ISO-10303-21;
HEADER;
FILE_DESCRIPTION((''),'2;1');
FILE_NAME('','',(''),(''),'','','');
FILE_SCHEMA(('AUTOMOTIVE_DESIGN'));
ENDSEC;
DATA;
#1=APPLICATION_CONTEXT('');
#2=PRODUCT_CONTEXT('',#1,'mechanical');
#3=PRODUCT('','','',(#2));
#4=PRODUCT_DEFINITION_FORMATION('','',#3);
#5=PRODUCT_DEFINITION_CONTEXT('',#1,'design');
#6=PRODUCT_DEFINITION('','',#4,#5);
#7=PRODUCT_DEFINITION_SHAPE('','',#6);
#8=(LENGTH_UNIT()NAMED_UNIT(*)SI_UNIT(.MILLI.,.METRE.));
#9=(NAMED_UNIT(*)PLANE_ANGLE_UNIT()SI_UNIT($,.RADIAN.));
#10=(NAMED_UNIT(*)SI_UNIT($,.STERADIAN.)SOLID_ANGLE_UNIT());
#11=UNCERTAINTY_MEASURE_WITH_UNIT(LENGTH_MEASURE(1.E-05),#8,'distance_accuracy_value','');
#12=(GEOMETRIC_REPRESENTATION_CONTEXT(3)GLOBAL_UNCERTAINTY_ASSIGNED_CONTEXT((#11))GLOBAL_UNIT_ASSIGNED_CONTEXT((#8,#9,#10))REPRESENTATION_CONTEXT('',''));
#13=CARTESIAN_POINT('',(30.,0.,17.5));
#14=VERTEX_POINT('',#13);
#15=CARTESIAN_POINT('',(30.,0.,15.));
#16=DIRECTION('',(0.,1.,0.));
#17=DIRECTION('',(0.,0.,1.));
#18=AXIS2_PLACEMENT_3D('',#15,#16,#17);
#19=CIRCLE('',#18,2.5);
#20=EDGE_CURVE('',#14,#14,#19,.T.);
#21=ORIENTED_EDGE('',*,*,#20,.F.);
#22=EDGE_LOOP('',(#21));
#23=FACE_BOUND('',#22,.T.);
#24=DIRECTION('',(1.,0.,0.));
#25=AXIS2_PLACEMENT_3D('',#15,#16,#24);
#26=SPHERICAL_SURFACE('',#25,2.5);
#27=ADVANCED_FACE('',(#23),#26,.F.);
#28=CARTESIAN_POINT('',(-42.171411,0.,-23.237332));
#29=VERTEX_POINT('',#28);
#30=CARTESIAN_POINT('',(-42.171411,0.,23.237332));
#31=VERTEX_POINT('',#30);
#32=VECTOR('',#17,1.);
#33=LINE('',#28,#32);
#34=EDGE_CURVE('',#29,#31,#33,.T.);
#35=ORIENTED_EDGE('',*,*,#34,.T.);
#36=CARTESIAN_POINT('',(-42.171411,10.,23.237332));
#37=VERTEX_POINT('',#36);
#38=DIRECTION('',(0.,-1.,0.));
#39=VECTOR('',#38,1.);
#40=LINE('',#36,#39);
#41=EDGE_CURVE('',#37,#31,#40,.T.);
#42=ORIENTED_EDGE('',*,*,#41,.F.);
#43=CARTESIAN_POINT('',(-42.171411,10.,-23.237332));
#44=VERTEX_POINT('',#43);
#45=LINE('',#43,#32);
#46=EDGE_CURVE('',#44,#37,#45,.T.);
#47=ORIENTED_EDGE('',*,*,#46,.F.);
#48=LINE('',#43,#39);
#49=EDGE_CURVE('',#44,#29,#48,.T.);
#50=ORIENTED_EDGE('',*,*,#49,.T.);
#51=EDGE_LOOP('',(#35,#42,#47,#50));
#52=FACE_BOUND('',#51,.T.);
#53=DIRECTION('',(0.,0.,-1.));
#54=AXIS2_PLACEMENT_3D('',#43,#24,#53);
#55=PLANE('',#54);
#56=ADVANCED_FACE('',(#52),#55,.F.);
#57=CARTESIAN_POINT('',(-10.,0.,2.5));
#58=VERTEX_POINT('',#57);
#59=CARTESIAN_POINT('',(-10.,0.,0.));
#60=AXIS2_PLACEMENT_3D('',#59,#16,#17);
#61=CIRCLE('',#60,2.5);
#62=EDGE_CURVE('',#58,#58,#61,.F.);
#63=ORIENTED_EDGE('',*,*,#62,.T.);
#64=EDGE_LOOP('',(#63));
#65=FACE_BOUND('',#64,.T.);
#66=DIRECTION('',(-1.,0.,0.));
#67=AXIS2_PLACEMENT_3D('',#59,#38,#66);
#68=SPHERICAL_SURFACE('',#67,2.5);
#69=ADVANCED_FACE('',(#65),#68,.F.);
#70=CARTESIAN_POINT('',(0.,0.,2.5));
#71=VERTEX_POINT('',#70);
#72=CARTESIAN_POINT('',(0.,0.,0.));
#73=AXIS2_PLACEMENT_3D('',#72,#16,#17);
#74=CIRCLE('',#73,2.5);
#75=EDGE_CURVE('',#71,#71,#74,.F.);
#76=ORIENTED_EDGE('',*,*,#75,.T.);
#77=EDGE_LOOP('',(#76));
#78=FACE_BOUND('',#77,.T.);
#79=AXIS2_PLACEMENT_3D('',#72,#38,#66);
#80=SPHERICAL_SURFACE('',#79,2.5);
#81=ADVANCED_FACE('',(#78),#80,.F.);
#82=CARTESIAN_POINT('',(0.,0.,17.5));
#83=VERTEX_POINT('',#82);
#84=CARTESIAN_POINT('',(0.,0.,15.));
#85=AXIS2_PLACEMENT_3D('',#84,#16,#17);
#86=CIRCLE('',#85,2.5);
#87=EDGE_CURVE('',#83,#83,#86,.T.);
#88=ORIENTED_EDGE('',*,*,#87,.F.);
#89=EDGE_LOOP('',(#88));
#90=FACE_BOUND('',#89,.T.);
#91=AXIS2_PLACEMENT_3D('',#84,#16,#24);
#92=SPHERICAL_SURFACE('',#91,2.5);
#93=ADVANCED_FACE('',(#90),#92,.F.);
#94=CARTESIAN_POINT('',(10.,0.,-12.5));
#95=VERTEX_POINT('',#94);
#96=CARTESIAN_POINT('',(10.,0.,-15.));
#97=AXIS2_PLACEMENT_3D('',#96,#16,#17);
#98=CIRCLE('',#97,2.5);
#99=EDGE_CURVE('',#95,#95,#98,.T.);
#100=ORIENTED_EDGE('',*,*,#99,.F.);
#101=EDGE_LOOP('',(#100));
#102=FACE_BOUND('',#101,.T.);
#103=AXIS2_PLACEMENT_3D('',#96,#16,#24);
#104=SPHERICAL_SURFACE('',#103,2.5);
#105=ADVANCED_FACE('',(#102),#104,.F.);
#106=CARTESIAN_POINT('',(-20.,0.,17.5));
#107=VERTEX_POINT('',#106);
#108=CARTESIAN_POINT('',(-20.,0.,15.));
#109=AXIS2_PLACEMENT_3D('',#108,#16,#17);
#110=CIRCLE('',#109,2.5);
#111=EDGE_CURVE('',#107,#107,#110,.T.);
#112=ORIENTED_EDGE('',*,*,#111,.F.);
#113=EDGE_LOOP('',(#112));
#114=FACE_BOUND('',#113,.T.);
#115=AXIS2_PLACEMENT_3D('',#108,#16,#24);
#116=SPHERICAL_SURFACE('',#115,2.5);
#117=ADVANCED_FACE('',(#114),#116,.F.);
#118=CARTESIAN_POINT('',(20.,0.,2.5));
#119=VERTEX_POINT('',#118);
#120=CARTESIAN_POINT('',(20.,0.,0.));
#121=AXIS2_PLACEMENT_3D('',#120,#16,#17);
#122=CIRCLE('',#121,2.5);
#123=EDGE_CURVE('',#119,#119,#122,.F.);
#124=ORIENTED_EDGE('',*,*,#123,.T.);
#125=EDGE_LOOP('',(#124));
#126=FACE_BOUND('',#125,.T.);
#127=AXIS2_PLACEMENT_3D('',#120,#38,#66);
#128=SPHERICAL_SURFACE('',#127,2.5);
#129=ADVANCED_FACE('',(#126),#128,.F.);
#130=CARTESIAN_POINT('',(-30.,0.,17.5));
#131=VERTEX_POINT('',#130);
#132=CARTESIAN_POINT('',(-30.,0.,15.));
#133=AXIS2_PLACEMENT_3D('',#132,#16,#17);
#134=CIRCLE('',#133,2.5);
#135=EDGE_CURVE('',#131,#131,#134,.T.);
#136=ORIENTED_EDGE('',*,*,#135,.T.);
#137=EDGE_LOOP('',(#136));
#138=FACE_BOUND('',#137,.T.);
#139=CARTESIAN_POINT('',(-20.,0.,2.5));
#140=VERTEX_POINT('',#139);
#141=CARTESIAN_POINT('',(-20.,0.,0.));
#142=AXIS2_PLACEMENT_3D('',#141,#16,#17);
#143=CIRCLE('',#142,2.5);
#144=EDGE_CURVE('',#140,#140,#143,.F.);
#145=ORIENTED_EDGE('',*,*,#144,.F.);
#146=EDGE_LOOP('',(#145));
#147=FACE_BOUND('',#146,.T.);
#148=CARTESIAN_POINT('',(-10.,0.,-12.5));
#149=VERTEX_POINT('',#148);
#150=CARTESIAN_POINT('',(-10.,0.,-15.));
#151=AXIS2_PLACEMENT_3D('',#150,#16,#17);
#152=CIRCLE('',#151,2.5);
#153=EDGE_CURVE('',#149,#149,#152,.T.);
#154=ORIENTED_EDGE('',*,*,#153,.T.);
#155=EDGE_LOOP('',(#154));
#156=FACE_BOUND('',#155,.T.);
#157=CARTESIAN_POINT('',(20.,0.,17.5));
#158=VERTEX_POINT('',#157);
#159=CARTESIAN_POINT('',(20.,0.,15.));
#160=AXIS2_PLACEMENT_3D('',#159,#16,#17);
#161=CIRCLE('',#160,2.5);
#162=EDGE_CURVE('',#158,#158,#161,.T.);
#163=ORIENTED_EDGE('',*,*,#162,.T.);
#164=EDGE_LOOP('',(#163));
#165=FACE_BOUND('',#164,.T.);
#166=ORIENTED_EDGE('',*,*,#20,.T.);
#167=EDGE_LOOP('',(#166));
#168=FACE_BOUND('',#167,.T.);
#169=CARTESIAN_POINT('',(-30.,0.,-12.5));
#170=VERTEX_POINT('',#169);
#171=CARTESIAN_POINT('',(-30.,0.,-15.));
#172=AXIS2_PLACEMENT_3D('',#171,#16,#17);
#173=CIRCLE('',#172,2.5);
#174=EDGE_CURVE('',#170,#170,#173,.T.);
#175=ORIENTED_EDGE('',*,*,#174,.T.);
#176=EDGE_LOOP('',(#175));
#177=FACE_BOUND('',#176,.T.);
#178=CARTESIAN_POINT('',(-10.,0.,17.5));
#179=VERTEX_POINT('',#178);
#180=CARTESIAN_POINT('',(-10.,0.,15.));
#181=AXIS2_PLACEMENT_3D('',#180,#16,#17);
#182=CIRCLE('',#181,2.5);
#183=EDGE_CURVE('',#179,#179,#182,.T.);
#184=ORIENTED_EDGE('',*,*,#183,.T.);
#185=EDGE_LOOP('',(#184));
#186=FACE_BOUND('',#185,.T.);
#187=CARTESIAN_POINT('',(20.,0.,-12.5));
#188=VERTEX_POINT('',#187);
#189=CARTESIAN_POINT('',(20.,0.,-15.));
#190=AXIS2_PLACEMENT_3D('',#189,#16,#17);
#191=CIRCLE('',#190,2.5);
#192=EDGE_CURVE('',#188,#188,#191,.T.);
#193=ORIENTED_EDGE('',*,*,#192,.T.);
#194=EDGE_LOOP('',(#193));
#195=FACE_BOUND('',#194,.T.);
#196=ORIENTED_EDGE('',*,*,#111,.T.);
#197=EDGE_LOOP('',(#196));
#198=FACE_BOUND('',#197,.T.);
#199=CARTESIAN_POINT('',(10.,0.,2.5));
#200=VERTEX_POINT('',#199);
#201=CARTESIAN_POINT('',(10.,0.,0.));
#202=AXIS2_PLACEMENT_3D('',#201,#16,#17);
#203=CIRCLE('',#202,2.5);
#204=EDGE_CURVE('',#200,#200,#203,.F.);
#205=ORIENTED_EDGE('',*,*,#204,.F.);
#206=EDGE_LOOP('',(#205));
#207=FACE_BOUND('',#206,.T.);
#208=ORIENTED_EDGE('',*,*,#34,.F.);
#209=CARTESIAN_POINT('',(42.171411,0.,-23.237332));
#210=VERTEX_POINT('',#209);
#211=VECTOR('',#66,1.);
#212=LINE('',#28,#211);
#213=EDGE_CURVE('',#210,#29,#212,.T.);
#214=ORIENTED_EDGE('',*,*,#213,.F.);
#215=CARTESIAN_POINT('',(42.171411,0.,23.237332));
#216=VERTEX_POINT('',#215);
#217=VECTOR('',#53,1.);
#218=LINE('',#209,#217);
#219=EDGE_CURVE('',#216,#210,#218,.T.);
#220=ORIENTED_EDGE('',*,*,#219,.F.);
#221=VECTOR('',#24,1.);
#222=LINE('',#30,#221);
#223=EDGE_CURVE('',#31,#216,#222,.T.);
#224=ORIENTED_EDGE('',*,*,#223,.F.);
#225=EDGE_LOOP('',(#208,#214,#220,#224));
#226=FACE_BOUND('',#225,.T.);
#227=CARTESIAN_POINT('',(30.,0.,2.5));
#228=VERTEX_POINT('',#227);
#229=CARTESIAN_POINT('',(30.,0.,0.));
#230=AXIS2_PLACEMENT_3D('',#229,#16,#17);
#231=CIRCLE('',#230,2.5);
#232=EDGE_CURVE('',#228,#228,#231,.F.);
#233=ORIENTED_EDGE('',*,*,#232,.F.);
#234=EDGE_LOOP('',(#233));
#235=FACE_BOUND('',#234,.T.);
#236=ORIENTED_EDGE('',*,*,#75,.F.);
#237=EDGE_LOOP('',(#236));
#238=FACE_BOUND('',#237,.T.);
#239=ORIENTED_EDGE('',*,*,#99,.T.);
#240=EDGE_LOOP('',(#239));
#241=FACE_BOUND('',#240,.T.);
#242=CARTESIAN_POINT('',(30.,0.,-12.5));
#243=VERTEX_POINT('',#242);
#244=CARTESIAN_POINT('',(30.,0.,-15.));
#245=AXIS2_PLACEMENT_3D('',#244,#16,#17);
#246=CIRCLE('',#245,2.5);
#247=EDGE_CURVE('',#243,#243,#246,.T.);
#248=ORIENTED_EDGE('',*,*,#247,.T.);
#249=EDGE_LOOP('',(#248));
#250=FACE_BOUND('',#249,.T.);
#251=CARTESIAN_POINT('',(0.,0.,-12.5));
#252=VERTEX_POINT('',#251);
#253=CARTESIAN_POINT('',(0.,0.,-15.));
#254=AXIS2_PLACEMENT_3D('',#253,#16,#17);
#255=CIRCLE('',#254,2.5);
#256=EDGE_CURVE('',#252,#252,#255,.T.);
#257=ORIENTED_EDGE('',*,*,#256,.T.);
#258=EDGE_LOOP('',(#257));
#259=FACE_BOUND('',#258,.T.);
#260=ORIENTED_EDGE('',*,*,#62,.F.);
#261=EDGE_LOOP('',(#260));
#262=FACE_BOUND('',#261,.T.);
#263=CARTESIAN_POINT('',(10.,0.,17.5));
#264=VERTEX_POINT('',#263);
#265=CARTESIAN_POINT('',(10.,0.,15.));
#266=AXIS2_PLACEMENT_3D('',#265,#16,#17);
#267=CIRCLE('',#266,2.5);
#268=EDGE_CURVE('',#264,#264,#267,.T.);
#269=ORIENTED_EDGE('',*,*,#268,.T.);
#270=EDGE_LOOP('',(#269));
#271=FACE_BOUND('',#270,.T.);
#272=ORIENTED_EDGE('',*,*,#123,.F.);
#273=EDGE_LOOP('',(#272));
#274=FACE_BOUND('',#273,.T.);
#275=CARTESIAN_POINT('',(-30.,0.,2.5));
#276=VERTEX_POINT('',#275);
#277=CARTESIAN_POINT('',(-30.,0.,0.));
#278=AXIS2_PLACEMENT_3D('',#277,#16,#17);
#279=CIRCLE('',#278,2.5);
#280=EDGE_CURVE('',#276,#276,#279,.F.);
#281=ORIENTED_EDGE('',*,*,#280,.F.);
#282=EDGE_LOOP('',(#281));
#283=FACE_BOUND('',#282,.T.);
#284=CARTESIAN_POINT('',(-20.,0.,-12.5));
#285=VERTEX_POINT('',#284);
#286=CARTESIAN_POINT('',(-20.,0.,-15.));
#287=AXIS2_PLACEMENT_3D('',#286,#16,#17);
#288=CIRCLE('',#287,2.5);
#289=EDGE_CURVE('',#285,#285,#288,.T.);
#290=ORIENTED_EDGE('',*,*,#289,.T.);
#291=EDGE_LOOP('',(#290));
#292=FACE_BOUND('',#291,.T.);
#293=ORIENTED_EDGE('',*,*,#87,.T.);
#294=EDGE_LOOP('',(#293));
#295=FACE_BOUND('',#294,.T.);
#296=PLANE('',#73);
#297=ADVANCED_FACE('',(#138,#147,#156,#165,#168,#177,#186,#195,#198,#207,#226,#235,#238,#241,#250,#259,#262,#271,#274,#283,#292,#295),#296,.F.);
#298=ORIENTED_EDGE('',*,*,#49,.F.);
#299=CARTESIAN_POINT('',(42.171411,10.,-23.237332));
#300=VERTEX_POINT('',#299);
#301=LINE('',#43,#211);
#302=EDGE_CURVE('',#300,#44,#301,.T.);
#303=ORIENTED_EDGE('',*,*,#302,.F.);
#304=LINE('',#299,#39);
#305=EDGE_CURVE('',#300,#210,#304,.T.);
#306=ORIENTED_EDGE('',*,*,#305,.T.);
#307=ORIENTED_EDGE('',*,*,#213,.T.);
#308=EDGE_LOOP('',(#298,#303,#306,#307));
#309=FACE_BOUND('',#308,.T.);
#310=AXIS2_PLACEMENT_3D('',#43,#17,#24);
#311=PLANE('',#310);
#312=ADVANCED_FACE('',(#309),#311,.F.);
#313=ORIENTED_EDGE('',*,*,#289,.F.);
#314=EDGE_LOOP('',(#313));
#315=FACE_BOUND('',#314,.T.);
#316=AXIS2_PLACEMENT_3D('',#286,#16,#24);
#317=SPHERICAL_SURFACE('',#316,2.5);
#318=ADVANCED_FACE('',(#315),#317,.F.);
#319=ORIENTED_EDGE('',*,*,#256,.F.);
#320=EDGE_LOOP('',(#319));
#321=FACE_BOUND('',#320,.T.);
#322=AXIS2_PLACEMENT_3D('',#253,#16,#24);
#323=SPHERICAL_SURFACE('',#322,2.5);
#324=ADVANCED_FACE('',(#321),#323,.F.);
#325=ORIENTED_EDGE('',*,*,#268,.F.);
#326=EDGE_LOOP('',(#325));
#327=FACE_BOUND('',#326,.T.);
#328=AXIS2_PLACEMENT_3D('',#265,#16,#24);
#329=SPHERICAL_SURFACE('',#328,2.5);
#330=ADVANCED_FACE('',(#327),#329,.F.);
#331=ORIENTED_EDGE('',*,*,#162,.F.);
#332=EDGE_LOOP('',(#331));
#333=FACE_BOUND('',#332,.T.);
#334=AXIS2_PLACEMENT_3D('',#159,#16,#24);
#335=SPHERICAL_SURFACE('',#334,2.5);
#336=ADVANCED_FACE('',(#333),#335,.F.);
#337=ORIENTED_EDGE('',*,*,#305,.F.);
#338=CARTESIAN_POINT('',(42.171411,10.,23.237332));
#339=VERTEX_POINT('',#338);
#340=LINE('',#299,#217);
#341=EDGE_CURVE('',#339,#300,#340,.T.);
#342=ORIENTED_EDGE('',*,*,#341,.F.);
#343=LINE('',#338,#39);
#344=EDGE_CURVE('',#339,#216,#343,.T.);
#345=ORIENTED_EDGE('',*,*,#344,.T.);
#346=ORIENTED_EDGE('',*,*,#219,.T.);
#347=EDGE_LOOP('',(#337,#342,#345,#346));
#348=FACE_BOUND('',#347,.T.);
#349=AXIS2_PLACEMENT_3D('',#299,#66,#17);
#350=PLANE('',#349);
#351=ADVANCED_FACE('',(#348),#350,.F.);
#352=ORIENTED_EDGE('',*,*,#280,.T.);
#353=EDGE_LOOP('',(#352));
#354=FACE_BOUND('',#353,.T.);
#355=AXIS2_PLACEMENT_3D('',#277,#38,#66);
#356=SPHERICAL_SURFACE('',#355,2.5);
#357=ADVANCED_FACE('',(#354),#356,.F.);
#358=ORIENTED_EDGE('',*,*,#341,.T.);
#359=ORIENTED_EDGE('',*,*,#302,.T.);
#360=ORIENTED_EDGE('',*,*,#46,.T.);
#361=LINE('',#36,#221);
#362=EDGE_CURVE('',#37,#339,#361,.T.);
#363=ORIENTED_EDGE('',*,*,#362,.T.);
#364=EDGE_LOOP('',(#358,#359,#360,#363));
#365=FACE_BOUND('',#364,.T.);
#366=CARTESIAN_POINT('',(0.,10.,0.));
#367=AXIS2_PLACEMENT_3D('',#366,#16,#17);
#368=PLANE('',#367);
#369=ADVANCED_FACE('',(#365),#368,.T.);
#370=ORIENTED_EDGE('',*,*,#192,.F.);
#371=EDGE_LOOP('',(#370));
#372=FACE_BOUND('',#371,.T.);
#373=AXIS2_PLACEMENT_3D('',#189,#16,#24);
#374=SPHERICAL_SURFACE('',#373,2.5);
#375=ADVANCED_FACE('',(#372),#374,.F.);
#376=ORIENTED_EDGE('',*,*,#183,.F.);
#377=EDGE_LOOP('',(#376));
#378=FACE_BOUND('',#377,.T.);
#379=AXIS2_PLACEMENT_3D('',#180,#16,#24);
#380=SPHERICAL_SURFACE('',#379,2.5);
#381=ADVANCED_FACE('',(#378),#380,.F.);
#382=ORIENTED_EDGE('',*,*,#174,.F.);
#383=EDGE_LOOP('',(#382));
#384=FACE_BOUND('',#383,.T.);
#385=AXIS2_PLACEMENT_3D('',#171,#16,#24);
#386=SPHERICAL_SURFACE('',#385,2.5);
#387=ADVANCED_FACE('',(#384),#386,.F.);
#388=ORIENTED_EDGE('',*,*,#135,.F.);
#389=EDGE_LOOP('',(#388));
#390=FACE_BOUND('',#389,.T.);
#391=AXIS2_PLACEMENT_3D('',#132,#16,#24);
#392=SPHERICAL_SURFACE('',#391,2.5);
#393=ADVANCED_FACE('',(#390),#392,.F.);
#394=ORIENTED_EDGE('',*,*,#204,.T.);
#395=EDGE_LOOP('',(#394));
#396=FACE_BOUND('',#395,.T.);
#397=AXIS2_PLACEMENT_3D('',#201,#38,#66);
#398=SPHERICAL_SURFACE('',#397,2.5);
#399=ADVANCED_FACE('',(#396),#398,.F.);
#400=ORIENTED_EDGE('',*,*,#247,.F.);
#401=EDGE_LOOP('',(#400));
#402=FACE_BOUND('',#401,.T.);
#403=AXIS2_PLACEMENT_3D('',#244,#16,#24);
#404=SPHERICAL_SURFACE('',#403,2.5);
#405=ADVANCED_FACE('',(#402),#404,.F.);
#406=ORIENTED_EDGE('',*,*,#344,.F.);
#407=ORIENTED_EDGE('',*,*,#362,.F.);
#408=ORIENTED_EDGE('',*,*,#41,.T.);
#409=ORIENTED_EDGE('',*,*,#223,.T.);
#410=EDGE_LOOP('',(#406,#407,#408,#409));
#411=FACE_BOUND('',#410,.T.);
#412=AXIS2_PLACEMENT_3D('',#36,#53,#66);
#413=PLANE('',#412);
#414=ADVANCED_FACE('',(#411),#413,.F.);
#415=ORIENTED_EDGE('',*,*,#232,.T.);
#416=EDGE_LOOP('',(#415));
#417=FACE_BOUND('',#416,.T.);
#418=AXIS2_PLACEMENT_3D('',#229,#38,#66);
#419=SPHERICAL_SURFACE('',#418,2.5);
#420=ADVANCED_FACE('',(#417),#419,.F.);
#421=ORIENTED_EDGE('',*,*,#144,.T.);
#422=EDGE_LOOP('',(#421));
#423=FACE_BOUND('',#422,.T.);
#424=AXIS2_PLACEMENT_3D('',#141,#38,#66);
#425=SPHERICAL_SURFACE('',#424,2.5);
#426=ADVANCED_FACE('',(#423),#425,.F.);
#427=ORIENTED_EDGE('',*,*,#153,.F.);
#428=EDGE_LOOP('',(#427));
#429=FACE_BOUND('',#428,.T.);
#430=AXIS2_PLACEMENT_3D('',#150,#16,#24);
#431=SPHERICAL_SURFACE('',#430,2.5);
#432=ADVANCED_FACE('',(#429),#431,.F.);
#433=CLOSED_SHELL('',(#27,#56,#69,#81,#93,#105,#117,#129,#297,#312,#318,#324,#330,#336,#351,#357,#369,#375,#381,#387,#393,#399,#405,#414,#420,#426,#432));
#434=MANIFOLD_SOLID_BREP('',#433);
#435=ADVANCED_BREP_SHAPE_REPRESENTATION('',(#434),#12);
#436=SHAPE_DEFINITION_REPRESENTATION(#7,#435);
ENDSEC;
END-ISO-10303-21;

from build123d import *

# Parameters (mm, degrees)
SKETCH_1_W             = 84.342821298
SKETCH_1_H             = 46.47466386
EXTRUDE_1_DEPTH        = 10
PATTERN_LINEAR_3_COUNT = 4
PATTERN_LINEAR_3_PITCH = 10
PATTERN_LINEAR_4_COUNT = 4
PATTERN_LINEAR_4_PITCH = 10
PATTERN_LINEAR_5_COUNT = 4
PATTERN_LINEAR_5_PITCH = 10
PATTERN_LINEAR_6_COUNT = 4
PATTERN_LINEAR_6_PITCH = 10


with BuildPart() as part:
    # 스케치1 → 보스-돌출1 (new body)
    with BuildSketch(Plane(origin=(0, 0, 0), x_dir=(1, 0, 0), z_dir=(0, 1, 0))):
        Rectangle(SKETCH_1_W, SKETCH_1_H)
    extrude(amount=EXTRUDE_1_DEPTH)

    # 스케치5 → 컷-회전3 (revolve, cut)
    with BuildSketch(Plane.XY):
        with BuildLine():
            Line((0, -2.5), (0, 2.5))
            ThreePointArc((0, 2.5), (-2.5, 0), (0, -2.5))
        make_face()
    cut_revolve_3 = revolve(axis=Axis((0, -2.5, 0), (0, 1, 0)), mode=Mode.SUBTRACT)

    # 선형 패턴3: 컷-회전3 ×4
    with Locations(*[(-i * PATTERN_LINEAR_3_PITCH, 0, 0) for i in range(1, PATTERN_LINEAR_3_COUNT)]):
        add(cut_revolve_3, mode=Mode.SUBTRACT)

    # 선형 패턴4: 컷-회전3 ×4
    with Locations(*[(i * PATTERN_LINEAR_4_PITCH, 0, 0) for i in range(1, PATTERN_LINEAR_4_COUNT)]):
        add(cut_revolve_3, mode=Mode.SUBTRACT)

    # 스케치8 → 컷-회전4 (revolve, cut)
    with BuildSketch(Plane.XY.offset(15)):
        with BuildLine():
            Line((0, 2.5), (0, -2.5))
            ThreePointArc((0, -2.5), (-2.5, 0), (0, 2.5))
        make_face()
    cut_revolve_4 = revolve(axis=Axis((0, 2.5, 15), (0, -1, 0)), mode=Mode.SUBTRACT)

    # 선형 패턴5: 컷-회전4 ×4
    with Locations(*[(i * PATTERN_LINEAR_5_PITCH, 0, 0) for i in range(1, PATTERN_LINEAR_5_COUNT)]):
        add(cut_revolve_4, mode=Mode.SUBTRACT)

    # 선형 패턴6: 컷-회전4 ×4
    with Locations(*[(-i * PATTERN_LINEAR_6_PITCH, 0, 0) for i in range(1, PATTERN_LINEAR_6_COUNT)]):
        add(cut_revolve_4, mode=Mode.SUBTRACT)

    # 대칭 복사1: 컷-회전4 across plane
    add(cut_revolve_4.mirror(Plane.XY), mode=Mode.SUBTRACT)

    # 대칭 복사1 copy 1 sketch → 대칭 복사1 copy 1 (revolve, cut)
    with BuildSketch(Plane(origin=(10, 0, -15), x_dir=(1, 0, 0), z_dir=(0, 0, -1))):
        with BuildLine():
            Line((0, -2.5), (0, 2.5))
            ThreePointArc((0, 2.5), (-2.5, 0), (0, -2.5))
        make_face()
    revolve(axis=Axis((10, 2.5, -15), (0, 1, 0)), mode=Mode.SUBTRACT)

    # 대칭 복사1 copy 2 sketch → 대칭 복사1 copy 2 (revolve, cut)
    with BuildSketch(Plane(origin=(20, 0, -15), x_dir=(1, 0, 0), z_dir=(0, 0, -1))):
        with BuildLine():
            Line((0, -2.5), (0, 2.5))
            ThreePointArc((0, 2.5), (-2.5, 0), (0, -2.5))
        make_face()
    revolve(axis=Axis((20, 2.5, -15), (0, 1, 0)), mode=Mode.SUBTRACT)

    # 대칭 복사1 copy 3 sketch → 대칭 복사1 copy 3 (revolve, cut)
    with BuildSketch(Plane(origin=(30, 0, -15), x_dir=(1, 0, 0), z_dir=(0, 0, -1))):
        with BuildLine():
            Line((0, -2.5), (0, 2.5))
            ThreePointArc((0, 2.5), (-2.5, 0), (0, -2.5))
        make_face()
    revolve(axis=Axis((30, 2.5, -15), (0, 1, 0)), mode=Mode.SUBTRACT)

    # 대칭 복사1 copy 4 sketch → 대칭 복사1 copy 4 (revolve, cut)
    with BuildSketch(Plane(origin=(-10, 0, -15), x_dir=(1, 0, 0), z_dir=(0, 0, -1))):
        with BuildLine():
            Line((0, -2.5), (0, 2.5))
            ThreePointArc((0, 2.5), (-2.5, 0), (0, -2.5))
        make_face()
    revolve(axis=Axis((-10, 2.5, -15), (0, 1, 0)), mode=Mode.SUBTRACT)

    # 대칭 복사1 copy 5 sketch → 대칭 복사1 copy 5 (revolve, cut)
    with BuildSketch(Plane(origin=(-20, 0, -15), x_dir=(1, 0, 0), z_dir=(0, 0, -1))):
        with BuildLine():
            Line((0, -2.5), (0, 2.5))
            ThreePointArc((0, 2.5), (-2.5, 0), (0, -2.5))
        make_face()
    revolve(axis=Axis((-20, 2.5, -15), (0, 1, 0)), mode=Mode.SUBTRACT)

    # 대칭 복사1 copy 6 sketch → 대칭 복사1 copy 6 (revolve, cut)
    with BuildSketch(Plane(origin=(-30, 0, -15), x_dir=(1, 0, 0), z_dir=(0, 0, -1))):
        with BuildLine():
            Line((0, -2.5), (0, 2.5))
            ThreePointArc((0, 2.5), (-2.5, 0), (0, -2.5))
        make_face()
    revolve(axis=Axis((-30, 2.5, -15), (0, 1, 0)), mode=Mode.SUBTRACT)


solid = part.part
